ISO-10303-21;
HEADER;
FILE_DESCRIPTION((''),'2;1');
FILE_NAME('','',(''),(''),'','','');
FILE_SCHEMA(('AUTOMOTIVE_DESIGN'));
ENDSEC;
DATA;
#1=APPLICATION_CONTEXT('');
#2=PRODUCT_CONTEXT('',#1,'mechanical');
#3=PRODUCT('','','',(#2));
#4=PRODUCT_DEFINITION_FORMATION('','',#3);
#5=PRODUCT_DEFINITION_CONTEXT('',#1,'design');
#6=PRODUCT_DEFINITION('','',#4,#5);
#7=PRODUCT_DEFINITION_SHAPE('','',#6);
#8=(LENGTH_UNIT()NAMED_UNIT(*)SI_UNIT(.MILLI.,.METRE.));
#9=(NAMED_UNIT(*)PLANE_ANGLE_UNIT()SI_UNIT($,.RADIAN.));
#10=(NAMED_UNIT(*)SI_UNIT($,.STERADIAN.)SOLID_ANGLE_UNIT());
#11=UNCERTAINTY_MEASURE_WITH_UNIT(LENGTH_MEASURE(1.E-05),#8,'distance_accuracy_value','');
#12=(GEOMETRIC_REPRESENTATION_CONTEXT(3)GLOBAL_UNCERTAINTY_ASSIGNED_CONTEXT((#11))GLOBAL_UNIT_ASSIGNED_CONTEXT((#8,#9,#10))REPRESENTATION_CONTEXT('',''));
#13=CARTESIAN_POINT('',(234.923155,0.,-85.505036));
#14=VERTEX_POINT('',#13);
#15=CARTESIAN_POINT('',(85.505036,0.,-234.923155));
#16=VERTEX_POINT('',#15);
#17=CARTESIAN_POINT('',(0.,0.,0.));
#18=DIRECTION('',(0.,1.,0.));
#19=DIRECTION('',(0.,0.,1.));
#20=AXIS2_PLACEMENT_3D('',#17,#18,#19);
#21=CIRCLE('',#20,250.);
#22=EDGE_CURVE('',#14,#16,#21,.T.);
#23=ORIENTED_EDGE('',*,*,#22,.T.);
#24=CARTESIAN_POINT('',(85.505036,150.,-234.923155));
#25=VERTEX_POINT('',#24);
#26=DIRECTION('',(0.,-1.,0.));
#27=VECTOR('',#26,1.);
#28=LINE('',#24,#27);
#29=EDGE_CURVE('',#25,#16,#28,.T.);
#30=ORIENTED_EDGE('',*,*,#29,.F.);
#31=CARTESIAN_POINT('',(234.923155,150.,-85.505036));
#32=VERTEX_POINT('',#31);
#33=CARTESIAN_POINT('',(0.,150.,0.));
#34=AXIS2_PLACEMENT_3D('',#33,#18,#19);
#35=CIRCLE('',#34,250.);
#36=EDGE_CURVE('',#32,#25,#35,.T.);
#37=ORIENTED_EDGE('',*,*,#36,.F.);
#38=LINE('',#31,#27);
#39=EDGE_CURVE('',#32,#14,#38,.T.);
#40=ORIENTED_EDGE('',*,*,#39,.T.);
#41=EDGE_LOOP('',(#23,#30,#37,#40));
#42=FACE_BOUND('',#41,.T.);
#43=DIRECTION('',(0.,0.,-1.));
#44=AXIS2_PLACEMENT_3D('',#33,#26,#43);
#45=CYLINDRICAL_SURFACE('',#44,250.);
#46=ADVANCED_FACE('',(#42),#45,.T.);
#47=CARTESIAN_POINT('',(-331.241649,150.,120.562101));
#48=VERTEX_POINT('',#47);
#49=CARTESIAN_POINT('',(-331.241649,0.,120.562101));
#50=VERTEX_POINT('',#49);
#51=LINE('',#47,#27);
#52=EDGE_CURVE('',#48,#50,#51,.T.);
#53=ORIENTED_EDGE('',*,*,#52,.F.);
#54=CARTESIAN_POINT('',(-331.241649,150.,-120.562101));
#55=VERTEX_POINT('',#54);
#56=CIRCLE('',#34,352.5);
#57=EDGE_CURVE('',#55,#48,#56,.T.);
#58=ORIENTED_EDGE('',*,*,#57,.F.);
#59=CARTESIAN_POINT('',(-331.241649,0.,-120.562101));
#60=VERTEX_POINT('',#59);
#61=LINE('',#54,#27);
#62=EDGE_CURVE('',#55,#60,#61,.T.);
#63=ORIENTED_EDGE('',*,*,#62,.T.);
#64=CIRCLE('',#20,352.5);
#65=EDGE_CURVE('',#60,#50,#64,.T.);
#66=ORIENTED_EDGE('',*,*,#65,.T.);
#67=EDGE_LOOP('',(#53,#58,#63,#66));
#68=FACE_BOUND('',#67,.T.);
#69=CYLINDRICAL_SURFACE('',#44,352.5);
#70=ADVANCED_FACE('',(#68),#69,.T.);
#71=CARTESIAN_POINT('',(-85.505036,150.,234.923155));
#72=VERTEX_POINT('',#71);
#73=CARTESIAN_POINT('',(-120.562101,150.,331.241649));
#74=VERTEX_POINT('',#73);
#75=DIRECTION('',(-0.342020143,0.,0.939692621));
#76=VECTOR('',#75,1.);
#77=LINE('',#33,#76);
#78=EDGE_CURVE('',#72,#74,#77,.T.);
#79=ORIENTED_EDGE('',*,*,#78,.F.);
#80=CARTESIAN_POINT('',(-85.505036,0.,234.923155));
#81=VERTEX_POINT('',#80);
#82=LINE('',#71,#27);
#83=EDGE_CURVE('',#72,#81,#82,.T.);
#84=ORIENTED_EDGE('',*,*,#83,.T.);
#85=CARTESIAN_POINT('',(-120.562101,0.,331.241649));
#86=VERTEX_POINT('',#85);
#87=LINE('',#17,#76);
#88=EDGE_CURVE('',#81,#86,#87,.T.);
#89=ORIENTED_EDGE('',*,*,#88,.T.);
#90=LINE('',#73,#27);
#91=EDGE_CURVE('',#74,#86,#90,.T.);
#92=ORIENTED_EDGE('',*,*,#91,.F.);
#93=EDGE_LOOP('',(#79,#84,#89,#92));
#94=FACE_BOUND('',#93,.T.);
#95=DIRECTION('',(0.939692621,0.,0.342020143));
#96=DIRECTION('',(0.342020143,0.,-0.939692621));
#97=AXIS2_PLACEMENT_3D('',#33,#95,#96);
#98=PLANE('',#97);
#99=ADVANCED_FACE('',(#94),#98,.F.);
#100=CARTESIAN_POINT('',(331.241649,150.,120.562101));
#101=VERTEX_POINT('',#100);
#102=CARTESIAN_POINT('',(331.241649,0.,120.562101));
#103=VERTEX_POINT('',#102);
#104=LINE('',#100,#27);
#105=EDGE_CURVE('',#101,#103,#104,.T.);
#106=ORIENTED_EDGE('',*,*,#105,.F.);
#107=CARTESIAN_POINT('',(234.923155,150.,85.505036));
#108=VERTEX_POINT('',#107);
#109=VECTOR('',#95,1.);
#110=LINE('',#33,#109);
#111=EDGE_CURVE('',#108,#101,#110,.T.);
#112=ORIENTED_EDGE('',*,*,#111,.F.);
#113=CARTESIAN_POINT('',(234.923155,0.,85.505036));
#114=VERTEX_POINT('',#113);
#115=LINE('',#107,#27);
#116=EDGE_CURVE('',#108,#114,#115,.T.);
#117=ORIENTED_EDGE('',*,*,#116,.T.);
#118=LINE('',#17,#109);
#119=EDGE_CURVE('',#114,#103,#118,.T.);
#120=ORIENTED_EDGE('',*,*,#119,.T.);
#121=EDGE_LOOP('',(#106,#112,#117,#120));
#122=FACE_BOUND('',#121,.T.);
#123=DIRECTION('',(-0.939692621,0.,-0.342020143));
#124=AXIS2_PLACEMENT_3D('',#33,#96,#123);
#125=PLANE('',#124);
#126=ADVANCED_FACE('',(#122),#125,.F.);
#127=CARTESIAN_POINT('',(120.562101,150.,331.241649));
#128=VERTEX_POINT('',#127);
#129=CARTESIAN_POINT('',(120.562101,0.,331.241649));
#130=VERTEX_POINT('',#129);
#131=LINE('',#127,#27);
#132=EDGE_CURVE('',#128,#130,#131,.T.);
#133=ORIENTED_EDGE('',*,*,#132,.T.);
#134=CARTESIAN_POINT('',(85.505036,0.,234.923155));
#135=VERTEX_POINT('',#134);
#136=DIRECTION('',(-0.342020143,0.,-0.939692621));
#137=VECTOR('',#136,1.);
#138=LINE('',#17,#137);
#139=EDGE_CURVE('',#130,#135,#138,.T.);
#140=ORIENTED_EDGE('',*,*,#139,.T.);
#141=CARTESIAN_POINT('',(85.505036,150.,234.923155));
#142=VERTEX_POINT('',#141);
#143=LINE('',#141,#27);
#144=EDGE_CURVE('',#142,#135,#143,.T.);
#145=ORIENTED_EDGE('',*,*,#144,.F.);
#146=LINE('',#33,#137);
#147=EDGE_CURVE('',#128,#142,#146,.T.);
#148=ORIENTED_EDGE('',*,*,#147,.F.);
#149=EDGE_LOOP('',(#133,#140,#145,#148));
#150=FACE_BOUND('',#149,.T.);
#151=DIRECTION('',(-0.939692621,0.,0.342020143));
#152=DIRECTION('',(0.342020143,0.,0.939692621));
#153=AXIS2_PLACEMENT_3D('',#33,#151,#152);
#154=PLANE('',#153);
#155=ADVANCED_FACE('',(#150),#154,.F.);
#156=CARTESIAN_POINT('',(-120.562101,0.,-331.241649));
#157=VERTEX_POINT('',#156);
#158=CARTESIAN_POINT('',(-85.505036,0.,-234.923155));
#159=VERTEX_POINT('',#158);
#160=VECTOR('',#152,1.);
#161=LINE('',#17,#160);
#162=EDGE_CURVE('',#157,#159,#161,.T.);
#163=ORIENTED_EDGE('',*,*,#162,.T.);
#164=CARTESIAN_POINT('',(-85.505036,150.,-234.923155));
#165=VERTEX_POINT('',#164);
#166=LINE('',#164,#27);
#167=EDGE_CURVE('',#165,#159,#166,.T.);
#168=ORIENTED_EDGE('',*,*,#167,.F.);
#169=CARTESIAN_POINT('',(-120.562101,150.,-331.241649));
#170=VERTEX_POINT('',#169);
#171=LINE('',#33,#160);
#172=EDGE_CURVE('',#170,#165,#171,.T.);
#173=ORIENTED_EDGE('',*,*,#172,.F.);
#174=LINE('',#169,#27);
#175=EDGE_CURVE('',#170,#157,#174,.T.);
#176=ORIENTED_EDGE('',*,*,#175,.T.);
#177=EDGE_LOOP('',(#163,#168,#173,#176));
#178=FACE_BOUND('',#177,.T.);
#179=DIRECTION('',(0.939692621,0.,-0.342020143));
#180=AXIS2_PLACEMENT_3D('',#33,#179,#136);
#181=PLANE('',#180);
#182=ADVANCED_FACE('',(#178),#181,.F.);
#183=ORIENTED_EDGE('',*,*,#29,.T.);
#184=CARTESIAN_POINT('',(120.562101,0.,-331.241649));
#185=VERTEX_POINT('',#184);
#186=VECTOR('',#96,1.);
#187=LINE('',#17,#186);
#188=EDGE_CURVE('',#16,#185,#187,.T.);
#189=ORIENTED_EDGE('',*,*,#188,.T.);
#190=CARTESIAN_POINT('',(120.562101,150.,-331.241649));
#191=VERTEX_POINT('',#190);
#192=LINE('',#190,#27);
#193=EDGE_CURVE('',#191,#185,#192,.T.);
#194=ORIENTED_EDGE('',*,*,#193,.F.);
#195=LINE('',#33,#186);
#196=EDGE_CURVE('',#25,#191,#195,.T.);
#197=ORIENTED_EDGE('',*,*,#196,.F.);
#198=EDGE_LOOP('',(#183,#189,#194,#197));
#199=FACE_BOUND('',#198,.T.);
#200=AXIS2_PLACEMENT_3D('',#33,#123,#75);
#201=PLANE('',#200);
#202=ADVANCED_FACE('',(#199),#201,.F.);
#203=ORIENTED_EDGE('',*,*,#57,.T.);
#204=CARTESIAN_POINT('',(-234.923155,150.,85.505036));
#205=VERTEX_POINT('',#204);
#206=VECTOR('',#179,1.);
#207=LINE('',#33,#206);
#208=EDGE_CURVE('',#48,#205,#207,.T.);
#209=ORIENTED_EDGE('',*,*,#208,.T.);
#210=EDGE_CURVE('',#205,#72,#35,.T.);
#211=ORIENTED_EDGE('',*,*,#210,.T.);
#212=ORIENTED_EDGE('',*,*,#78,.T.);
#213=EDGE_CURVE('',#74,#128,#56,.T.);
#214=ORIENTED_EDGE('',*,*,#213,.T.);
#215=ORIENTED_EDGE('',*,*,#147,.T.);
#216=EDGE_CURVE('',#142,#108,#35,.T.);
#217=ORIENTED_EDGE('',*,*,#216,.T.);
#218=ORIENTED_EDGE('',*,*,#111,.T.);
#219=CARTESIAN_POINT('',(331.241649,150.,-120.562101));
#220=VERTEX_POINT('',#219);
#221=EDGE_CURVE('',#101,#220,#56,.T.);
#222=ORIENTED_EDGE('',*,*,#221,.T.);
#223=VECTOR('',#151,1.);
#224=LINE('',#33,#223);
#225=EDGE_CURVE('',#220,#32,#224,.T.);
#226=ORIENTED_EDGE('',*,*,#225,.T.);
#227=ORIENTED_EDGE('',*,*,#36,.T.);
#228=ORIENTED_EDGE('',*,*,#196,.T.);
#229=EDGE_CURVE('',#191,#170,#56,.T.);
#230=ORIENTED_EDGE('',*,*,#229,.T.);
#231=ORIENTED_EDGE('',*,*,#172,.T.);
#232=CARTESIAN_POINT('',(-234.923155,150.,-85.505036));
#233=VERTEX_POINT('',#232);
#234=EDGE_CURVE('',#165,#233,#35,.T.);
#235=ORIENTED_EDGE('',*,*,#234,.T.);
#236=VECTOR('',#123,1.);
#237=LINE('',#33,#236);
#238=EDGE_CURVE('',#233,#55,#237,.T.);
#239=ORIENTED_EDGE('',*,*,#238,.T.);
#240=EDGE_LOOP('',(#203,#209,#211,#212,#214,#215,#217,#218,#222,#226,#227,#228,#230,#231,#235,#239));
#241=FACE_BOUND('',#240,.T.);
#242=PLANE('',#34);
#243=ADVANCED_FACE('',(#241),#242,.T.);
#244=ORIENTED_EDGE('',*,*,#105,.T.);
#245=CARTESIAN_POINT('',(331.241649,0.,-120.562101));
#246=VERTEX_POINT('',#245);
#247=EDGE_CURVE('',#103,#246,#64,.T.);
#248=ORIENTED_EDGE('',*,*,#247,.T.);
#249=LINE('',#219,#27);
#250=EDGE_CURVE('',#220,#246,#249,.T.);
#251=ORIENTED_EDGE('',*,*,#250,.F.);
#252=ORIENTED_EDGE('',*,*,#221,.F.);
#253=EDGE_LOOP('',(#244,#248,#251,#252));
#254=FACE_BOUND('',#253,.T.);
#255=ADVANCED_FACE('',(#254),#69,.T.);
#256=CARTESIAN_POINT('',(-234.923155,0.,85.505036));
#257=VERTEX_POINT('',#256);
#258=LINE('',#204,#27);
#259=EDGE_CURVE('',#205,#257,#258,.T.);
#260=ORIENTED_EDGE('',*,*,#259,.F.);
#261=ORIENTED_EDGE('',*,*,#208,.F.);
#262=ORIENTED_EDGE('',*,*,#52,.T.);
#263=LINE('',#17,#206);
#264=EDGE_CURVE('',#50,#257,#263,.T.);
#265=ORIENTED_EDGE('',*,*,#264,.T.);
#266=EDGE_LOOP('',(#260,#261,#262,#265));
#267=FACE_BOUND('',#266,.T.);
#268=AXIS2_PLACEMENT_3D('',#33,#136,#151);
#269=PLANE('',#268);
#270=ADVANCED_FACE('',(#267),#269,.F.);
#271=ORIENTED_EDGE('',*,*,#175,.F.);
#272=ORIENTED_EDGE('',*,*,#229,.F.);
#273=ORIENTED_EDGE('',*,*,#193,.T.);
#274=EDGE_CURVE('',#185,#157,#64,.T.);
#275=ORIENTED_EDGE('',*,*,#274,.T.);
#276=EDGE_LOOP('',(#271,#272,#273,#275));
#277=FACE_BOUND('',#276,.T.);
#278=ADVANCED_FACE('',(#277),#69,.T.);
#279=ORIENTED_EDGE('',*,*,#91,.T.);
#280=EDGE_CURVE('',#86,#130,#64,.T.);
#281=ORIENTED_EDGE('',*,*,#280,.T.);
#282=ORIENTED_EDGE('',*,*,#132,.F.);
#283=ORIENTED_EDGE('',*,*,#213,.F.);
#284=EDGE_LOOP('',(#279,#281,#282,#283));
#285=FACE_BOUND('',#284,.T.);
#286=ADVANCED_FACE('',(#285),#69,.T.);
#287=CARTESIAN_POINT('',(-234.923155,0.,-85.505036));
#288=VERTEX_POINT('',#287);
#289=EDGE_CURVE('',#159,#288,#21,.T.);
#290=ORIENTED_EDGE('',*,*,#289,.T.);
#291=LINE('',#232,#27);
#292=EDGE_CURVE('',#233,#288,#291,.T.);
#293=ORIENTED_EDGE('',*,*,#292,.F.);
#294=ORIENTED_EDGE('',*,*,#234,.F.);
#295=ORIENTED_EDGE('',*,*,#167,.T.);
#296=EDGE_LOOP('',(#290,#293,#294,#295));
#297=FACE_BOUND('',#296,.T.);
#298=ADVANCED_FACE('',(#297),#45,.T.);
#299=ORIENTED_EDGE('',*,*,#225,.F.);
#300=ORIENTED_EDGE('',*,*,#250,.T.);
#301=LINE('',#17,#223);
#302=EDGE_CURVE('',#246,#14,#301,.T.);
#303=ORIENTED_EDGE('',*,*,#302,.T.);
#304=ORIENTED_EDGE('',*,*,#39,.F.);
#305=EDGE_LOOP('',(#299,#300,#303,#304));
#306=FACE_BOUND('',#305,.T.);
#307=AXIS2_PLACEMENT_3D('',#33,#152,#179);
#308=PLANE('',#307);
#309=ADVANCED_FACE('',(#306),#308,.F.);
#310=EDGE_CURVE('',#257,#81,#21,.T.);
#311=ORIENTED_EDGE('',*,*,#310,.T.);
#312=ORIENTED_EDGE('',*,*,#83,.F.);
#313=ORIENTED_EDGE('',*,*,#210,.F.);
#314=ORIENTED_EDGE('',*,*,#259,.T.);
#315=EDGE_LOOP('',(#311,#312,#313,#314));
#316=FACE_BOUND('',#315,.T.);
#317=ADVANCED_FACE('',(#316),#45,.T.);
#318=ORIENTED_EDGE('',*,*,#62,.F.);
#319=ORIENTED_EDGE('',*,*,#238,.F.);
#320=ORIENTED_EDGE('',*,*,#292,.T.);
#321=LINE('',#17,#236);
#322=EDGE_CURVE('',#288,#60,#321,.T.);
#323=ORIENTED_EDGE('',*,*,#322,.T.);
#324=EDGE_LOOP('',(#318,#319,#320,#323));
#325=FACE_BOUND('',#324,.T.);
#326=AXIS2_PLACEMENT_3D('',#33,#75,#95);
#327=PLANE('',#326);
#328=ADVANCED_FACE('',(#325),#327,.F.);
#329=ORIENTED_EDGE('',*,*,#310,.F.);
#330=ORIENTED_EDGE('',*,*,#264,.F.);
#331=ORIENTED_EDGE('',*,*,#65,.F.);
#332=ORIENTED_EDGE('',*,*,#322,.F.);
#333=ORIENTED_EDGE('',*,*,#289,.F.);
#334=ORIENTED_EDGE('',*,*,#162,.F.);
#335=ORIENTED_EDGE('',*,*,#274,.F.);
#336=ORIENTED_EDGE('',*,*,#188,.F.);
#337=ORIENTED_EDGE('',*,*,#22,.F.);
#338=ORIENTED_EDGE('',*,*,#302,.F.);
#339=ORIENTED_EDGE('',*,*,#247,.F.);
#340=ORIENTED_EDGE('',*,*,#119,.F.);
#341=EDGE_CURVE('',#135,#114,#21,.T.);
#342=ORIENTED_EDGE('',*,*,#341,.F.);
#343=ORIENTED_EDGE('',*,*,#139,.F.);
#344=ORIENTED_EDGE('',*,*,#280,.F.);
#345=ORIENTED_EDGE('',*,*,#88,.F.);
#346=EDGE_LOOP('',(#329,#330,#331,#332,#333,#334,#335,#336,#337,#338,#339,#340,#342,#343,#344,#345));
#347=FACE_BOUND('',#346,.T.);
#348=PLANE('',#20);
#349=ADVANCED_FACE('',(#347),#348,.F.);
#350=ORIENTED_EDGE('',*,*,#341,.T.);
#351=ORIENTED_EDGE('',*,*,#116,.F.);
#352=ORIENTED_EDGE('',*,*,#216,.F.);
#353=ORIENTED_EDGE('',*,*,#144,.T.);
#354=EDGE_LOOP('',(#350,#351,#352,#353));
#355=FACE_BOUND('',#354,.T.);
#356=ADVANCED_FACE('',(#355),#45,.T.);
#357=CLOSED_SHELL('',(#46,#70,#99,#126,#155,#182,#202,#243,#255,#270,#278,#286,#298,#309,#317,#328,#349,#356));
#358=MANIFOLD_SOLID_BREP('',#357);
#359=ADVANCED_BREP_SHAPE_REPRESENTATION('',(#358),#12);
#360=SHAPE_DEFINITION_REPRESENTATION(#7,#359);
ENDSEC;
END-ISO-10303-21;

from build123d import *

# Parameters (mm, degrees)
EXTRUDE_1_DEPTH = 150


with BuildPart() as part:
    # 草图1 → 凸台-拉伸1 (new body)
    with BuildSketch(Plane(origin=(0, 0, 0), x_dir=(1, 0, 0), z_dir=(0, 1, 0))):
        with BuildLine():
            ThreePointArc((-120.562100522, -331.241648827), (-61.210982628, -347.144732937), (0, -352.5))
            ThreePointArc((0, -352.5), (61.210982628, -347.144732937), (120.562100522, -331.241648827))
            Line((120.562100522, -331.241648827), (85.505035831, -234.923155196))
            ThreePointArc((85.505035831, -234.923155196), (176.776695297, -176.776695297), (234.923155196, -85.505035831))
            Line((234.923155196, -85.505035831), (331.241648827, -120.562100522))
            ThreePointArc((331.241648827, -120.562100522), (347.144732937, -61.210982628), (352.5, 0))
            ThreePointArc((352.5, 0), (347.144732937, 61.210982628), (331.241648827, 120.562100522))
            Line((331.241648827, 120.562100522), (234.923155196, 85.505035831))
            ThreePointArc((234.923155196, 85.505035831), (176.776695297, 176.776695297), (85.505035831, 234.923155196))
            Line((85.505035831, 234.923155196), (120.562100522, 331.241648827))
            ThreePointArc((120.562100522, 331.241648827), (61.210982628, 347.144732937), (0, 352.5))
            ThreePointArc((0, 352.5), (-61.210982628, 347.144732937), (-120.562100522, 331.241648827))
            Line((-120.562100522, 331.241648827), (-85.505035831, 234.923155196))
            ThreePointArc((-85.505035831, 234.923155196), (-176.776695297, 176.776695297), (-234.923155196, 85.505035831))
            Line((-234.923155196, 85.505035831), (-331.241648827, 120.562100522))
            ThreePointArc((-331.241648827, 120.562100522), (-347.144732937, 61.210982628), (-352.5, 0))
            ThreePointArc((-352.5, 0), (-347.144732937, -61.210982628), (-331.241648827, -120.562100522))
            Line((-331.241648827, -120.562100522), (-234.923155196, -85.505035831))
            ThreePointArc((-234.923155196, -85.505035831), (-176.776695297, -176.776695297), (-85.505035831, -234.923155196))
            Line((-85.505035831, -234.923155196), (-120.562100522, -331.241648827))
        make_face()
    extrude(amount=EXTRUDE_1_DEPTH)


solid = part.part
